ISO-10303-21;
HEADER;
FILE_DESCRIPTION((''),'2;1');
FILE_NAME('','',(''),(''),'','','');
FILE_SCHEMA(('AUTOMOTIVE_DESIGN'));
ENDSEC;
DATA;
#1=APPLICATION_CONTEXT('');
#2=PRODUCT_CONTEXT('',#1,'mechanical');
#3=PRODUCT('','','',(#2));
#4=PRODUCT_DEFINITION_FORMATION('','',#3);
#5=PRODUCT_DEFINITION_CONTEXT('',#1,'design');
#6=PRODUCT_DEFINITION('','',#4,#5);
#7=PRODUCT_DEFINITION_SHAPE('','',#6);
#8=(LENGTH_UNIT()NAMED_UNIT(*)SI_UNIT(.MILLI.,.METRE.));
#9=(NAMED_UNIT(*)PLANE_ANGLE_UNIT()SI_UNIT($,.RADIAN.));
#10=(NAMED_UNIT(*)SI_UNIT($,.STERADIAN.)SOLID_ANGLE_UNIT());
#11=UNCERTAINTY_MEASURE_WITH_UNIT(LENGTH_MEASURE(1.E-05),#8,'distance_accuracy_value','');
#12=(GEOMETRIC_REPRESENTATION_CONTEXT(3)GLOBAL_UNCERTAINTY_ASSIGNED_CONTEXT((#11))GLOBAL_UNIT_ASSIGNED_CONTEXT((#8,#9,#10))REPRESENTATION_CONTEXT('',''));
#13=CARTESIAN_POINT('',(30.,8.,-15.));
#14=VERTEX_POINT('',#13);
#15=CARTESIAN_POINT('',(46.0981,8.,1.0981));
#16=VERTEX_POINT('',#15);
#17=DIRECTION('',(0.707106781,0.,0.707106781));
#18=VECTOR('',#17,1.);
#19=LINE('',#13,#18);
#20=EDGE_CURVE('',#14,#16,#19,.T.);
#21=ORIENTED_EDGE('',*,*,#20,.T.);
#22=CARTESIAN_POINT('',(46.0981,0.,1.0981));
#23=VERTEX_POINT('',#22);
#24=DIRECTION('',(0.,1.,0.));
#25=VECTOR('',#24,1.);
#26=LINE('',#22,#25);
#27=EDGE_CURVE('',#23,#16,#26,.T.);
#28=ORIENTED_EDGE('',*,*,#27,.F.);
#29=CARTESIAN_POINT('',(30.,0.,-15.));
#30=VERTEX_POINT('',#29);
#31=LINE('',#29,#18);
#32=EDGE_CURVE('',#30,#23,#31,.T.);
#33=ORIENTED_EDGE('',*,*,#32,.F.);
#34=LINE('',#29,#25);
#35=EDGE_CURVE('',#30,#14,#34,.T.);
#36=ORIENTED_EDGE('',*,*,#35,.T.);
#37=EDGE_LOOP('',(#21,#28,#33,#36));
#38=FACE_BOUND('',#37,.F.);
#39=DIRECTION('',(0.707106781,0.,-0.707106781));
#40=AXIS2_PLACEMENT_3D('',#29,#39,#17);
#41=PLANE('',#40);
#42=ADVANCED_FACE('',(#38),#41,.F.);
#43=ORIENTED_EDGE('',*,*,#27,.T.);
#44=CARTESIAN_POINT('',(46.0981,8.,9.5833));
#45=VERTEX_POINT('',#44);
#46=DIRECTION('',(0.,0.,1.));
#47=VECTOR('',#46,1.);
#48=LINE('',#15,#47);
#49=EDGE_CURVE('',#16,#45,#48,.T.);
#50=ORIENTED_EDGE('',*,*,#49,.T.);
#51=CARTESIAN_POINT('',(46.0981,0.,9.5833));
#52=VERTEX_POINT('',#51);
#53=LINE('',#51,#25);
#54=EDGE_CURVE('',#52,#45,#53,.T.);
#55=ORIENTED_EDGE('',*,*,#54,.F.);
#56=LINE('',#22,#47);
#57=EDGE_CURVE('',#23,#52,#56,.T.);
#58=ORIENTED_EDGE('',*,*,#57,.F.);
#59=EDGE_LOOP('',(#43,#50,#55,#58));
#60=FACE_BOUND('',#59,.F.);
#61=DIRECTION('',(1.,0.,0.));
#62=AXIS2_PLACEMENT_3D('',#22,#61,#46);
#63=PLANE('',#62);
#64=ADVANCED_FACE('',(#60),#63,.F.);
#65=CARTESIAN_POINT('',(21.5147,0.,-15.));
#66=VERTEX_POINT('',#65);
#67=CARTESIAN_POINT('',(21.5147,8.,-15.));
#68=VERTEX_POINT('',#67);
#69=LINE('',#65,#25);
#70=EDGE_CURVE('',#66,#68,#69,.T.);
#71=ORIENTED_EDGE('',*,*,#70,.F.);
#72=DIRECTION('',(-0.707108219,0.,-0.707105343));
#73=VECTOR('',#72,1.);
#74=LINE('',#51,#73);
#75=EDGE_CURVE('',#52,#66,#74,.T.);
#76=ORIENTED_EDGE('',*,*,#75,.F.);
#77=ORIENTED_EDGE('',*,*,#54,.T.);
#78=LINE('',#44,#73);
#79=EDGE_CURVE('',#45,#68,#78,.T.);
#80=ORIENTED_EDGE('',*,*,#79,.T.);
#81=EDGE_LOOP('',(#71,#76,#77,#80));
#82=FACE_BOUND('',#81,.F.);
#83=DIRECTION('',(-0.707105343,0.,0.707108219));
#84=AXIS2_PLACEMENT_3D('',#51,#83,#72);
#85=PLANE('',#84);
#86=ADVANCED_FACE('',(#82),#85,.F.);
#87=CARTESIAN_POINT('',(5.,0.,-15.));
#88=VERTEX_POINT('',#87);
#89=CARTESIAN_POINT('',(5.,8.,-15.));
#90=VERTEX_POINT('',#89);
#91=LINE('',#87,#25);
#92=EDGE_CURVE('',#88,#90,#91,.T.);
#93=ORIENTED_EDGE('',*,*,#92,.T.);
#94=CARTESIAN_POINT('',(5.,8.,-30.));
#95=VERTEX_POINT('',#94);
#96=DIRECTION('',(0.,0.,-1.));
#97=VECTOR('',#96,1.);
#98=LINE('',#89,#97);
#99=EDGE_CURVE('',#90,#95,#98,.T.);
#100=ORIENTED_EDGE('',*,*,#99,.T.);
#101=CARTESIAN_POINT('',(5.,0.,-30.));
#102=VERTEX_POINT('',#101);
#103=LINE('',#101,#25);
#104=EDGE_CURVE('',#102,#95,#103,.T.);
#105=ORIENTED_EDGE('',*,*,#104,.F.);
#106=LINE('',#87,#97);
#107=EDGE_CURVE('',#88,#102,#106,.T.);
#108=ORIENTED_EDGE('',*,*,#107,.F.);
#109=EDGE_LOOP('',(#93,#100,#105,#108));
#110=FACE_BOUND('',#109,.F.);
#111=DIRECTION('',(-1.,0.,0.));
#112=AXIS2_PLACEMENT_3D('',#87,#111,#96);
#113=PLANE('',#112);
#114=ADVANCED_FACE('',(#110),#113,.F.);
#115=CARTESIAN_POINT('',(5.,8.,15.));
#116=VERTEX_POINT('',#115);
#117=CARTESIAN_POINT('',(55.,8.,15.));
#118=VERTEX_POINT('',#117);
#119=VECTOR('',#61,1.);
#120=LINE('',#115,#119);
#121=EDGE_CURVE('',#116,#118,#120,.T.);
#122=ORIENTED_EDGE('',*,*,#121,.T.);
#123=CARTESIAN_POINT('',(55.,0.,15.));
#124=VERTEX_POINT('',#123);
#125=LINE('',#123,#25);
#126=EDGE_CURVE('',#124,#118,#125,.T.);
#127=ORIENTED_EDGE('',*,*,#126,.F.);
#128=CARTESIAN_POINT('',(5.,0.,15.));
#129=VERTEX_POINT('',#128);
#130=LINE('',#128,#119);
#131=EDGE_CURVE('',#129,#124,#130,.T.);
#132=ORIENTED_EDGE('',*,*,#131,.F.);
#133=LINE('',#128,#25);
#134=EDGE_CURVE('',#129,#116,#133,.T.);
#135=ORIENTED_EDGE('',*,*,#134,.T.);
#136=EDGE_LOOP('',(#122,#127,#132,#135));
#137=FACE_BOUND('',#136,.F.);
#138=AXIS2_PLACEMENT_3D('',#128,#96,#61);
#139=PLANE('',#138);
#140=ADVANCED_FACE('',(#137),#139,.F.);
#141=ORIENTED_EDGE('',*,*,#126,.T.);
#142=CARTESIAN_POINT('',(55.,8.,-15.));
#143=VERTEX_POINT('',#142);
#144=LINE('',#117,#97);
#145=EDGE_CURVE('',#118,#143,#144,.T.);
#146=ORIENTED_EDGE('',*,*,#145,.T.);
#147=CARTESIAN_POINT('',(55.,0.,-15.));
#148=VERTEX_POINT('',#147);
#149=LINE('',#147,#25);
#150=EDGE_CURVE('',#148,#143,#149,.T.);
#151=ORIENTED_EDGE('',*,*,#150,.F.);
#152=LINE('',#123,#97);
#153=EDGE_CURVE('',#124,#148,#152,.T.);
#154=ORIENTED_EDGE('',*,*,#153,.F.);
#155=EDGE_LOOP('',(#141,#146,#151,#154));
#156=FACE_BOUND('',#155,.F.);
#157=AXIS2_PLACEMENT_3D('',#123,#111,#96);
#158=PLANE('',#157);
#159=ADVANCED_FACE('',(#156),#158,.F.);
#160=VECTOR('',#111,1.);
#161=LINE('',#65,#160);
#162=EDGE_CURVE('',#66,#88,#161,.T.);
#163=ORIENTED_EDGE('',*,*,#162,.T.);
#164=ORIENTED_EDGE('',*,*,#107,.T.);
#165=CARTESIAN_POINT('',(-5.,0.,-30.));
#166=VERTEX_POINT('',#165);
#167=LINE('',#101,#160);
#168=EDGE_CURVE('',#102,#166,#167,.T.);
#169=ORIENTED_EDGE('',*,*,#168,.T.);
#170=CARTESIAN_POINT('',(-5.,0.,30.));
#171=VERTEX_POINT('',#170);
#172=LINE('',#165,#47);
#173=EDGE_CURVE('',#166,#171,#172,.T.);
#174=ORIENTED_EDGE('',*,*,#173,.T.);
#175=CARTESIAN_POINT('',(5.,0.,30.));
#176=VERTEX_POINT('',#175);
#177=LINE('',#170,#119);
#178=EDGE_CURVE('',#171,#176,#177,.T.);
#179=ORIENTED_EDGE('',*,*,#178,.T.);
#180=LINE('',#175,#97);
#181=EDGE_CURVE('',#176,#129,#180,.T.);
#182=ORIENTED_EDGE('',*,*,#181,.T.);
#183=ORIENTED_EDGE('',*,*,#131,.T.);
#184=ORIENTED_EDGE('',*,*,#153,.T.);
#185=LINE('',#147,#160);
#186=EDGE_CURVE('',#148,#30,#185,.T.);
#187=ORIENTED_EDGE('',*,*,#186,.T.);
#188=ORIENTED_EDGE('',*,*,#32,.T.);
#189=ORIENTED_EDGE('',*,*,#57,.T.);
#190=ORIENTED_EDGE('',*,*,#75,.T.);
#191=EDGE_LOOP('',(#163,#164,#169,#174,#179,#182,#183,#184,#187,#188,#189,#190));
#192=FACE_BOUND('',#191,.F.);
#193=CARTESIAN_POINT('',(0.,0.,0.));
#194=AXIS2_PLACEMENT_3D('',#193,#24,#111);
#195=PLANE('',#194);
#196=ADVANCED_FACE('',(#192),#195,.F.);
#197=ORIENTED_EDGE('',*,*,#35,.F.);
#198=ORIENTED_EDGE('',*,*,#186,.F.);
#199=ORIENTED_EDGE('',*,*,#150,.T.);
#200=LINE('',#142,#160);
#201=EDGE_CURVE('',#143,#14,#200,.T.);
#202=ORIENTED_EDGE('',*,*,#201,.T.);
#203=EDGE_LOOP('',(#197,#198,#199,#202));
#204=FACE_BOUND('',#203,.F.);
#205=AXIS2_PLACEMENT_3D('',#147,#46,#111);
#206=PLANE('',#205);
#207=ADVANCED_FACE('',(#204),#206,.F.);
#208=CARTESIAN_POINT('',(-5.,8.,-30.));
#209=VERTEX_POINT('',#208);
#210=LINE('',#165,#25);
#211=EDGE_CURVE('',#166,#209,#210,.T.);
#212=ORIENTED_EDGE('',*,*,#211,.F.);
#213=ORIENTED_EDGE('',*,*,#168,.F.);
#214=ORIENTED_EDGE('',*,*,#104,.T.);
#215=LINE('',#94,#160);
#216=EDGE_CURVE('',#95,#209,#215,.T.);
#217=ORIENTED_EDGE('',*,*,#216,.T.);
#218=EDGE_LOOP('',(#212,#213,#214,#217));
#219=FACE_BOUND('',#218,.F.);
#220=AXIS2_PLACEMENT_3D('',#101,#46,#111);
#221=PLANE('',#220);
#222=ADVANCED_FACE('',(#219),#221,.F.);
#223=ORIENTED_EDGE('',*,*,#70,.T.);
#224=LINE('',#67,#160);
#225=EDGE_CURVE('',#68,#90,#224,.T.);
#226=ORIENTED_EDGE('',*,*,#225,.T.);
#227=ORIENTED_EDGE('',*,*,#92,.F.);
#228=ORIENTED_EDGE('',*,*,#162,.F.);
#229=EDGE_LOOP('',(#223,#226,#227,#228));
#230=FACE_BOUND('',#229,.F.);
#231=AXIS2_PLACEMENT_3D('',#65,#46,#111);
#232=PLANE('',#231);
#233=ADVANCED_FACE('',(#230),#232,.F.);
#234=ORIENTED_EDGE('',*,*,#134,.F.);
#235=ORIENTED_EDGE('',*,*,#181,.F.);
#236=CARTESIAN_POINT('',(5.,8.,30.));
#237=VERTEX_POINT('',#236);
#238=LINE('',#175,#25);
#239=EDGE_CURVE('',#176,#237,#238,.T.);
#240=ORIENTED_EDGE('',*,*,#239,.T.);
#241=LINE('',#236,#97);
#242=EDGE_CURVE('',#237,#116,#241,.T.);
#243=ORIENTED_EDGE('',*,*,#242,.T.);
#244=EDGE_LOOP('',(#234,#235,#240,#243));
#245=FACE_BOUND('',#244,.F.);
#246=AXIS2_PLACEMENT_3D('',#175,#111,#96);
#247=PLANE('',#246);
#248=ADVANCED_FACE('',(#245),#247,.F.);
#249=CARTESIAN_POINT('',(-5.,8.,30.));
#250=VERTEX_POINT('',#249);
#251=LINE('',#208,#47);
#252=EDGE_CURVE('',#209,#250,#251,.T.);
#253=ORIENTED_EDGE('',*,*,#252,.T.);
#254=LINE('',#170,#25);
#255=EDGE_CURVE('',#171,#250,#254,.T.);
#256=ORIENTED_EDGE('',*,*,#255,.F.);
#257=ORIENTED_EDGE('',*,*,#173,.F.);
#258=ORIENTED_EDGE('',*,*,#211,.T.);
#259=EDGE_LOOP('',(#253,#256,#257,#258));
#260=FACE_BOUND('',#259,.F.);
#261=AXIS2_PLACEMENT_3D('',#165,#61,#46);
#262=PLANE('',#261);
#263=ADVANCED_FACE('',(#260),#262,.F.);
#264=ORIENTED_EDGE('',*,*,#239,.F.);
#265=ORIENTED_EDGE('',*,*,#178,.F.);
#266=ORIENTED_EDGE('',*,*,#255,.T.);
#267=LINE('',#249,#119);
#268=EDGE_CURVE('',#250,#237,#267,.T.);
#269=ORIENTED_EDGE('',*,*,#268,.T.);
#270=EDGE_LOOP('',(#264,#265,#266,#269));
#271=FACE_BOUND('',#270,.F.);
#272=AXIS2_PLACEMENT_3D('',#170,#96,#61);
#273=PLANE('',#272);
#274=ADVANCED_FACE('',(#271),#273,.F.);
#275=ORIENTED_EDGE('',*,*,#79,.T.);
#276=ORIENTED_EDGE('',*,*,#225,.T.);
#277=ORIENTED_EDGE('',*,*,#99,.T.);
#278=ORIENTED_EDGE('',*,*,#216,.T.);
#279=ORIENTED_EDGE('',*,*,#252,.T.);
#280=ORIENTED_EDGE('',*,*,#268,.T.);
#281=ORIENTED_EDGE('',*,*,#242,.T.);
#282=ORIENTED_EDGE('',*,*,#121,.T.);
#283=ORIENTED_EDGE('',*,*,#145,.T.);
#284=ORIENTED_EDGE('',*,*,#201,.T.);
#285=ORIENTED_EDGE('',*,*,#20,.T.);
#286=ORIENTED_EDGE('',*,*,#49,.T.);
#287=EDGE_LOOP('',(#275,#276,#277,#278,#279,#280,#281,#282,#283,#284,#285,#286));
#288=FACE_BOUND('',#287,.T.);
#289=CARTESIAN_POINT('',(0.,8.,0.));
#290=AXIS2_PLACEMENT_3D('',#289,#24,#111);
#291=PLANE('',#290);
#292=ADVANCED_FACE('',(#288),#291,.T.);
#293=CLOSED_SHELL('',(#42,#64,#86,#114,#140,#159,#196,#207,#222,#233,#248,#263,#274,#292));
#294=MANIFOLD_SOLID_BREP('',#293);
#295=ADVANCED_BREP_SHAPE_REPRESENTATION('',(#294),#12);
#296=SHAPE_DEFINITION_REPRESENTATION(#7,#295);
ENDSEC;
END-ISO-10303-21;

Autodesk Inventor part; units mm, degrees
ref_plane "YZ Plane" through (0, 0, 0) normal (1, 0, 0) x (0, 1, 0)
ref_plane "XZ Plane" through (0, 0, 0) normal (0, 1, 0) x (-1, 0, 0)
ref_plane "XY Plane" through (0, 0, 0) normal (0, 0, 1) x (1, 0, 0)
sketch "Sketch1" plane through (0, 0, 0) normal (0, 1, 0) x (-1, 0, 0)
  line L0 (5, 30) -> (-5, 30)
  line L1 (-5, 30) -> (-5, 15)
  line L2 (-5, 15) -> (-55, 15)
  line L3 (-55, 15) -> (-55, -15)
  line L4 (-55, -15) -> (-30, -15)
  line L5 (-30, -15) -> (-46.0981, 1.0981)
  line L6 (-46.0981, 1.0981) -> (-46.0981, 9.5833)
  line L7 (-46.0981, 9.5833) -> (-21.5147, -15)
  line L8 (-21.5147, -15) -> (-5, -15)
  line L9 (-5, -15) -> (-5, -30)
  line L10 (-5, -30) -> (5, -30)
  line L11 (5, -30) -> (5, 30)
  point P0 (0, 0)
sketch "Sketch2" plane through (0, 0, 0) normal (0, 1, 0) x (-1, 0, 0)
  point P0 (0, 0)
extrude "Extrusion1" add sketch "Sketch1" along normal blind 8
properties part number "connector"
